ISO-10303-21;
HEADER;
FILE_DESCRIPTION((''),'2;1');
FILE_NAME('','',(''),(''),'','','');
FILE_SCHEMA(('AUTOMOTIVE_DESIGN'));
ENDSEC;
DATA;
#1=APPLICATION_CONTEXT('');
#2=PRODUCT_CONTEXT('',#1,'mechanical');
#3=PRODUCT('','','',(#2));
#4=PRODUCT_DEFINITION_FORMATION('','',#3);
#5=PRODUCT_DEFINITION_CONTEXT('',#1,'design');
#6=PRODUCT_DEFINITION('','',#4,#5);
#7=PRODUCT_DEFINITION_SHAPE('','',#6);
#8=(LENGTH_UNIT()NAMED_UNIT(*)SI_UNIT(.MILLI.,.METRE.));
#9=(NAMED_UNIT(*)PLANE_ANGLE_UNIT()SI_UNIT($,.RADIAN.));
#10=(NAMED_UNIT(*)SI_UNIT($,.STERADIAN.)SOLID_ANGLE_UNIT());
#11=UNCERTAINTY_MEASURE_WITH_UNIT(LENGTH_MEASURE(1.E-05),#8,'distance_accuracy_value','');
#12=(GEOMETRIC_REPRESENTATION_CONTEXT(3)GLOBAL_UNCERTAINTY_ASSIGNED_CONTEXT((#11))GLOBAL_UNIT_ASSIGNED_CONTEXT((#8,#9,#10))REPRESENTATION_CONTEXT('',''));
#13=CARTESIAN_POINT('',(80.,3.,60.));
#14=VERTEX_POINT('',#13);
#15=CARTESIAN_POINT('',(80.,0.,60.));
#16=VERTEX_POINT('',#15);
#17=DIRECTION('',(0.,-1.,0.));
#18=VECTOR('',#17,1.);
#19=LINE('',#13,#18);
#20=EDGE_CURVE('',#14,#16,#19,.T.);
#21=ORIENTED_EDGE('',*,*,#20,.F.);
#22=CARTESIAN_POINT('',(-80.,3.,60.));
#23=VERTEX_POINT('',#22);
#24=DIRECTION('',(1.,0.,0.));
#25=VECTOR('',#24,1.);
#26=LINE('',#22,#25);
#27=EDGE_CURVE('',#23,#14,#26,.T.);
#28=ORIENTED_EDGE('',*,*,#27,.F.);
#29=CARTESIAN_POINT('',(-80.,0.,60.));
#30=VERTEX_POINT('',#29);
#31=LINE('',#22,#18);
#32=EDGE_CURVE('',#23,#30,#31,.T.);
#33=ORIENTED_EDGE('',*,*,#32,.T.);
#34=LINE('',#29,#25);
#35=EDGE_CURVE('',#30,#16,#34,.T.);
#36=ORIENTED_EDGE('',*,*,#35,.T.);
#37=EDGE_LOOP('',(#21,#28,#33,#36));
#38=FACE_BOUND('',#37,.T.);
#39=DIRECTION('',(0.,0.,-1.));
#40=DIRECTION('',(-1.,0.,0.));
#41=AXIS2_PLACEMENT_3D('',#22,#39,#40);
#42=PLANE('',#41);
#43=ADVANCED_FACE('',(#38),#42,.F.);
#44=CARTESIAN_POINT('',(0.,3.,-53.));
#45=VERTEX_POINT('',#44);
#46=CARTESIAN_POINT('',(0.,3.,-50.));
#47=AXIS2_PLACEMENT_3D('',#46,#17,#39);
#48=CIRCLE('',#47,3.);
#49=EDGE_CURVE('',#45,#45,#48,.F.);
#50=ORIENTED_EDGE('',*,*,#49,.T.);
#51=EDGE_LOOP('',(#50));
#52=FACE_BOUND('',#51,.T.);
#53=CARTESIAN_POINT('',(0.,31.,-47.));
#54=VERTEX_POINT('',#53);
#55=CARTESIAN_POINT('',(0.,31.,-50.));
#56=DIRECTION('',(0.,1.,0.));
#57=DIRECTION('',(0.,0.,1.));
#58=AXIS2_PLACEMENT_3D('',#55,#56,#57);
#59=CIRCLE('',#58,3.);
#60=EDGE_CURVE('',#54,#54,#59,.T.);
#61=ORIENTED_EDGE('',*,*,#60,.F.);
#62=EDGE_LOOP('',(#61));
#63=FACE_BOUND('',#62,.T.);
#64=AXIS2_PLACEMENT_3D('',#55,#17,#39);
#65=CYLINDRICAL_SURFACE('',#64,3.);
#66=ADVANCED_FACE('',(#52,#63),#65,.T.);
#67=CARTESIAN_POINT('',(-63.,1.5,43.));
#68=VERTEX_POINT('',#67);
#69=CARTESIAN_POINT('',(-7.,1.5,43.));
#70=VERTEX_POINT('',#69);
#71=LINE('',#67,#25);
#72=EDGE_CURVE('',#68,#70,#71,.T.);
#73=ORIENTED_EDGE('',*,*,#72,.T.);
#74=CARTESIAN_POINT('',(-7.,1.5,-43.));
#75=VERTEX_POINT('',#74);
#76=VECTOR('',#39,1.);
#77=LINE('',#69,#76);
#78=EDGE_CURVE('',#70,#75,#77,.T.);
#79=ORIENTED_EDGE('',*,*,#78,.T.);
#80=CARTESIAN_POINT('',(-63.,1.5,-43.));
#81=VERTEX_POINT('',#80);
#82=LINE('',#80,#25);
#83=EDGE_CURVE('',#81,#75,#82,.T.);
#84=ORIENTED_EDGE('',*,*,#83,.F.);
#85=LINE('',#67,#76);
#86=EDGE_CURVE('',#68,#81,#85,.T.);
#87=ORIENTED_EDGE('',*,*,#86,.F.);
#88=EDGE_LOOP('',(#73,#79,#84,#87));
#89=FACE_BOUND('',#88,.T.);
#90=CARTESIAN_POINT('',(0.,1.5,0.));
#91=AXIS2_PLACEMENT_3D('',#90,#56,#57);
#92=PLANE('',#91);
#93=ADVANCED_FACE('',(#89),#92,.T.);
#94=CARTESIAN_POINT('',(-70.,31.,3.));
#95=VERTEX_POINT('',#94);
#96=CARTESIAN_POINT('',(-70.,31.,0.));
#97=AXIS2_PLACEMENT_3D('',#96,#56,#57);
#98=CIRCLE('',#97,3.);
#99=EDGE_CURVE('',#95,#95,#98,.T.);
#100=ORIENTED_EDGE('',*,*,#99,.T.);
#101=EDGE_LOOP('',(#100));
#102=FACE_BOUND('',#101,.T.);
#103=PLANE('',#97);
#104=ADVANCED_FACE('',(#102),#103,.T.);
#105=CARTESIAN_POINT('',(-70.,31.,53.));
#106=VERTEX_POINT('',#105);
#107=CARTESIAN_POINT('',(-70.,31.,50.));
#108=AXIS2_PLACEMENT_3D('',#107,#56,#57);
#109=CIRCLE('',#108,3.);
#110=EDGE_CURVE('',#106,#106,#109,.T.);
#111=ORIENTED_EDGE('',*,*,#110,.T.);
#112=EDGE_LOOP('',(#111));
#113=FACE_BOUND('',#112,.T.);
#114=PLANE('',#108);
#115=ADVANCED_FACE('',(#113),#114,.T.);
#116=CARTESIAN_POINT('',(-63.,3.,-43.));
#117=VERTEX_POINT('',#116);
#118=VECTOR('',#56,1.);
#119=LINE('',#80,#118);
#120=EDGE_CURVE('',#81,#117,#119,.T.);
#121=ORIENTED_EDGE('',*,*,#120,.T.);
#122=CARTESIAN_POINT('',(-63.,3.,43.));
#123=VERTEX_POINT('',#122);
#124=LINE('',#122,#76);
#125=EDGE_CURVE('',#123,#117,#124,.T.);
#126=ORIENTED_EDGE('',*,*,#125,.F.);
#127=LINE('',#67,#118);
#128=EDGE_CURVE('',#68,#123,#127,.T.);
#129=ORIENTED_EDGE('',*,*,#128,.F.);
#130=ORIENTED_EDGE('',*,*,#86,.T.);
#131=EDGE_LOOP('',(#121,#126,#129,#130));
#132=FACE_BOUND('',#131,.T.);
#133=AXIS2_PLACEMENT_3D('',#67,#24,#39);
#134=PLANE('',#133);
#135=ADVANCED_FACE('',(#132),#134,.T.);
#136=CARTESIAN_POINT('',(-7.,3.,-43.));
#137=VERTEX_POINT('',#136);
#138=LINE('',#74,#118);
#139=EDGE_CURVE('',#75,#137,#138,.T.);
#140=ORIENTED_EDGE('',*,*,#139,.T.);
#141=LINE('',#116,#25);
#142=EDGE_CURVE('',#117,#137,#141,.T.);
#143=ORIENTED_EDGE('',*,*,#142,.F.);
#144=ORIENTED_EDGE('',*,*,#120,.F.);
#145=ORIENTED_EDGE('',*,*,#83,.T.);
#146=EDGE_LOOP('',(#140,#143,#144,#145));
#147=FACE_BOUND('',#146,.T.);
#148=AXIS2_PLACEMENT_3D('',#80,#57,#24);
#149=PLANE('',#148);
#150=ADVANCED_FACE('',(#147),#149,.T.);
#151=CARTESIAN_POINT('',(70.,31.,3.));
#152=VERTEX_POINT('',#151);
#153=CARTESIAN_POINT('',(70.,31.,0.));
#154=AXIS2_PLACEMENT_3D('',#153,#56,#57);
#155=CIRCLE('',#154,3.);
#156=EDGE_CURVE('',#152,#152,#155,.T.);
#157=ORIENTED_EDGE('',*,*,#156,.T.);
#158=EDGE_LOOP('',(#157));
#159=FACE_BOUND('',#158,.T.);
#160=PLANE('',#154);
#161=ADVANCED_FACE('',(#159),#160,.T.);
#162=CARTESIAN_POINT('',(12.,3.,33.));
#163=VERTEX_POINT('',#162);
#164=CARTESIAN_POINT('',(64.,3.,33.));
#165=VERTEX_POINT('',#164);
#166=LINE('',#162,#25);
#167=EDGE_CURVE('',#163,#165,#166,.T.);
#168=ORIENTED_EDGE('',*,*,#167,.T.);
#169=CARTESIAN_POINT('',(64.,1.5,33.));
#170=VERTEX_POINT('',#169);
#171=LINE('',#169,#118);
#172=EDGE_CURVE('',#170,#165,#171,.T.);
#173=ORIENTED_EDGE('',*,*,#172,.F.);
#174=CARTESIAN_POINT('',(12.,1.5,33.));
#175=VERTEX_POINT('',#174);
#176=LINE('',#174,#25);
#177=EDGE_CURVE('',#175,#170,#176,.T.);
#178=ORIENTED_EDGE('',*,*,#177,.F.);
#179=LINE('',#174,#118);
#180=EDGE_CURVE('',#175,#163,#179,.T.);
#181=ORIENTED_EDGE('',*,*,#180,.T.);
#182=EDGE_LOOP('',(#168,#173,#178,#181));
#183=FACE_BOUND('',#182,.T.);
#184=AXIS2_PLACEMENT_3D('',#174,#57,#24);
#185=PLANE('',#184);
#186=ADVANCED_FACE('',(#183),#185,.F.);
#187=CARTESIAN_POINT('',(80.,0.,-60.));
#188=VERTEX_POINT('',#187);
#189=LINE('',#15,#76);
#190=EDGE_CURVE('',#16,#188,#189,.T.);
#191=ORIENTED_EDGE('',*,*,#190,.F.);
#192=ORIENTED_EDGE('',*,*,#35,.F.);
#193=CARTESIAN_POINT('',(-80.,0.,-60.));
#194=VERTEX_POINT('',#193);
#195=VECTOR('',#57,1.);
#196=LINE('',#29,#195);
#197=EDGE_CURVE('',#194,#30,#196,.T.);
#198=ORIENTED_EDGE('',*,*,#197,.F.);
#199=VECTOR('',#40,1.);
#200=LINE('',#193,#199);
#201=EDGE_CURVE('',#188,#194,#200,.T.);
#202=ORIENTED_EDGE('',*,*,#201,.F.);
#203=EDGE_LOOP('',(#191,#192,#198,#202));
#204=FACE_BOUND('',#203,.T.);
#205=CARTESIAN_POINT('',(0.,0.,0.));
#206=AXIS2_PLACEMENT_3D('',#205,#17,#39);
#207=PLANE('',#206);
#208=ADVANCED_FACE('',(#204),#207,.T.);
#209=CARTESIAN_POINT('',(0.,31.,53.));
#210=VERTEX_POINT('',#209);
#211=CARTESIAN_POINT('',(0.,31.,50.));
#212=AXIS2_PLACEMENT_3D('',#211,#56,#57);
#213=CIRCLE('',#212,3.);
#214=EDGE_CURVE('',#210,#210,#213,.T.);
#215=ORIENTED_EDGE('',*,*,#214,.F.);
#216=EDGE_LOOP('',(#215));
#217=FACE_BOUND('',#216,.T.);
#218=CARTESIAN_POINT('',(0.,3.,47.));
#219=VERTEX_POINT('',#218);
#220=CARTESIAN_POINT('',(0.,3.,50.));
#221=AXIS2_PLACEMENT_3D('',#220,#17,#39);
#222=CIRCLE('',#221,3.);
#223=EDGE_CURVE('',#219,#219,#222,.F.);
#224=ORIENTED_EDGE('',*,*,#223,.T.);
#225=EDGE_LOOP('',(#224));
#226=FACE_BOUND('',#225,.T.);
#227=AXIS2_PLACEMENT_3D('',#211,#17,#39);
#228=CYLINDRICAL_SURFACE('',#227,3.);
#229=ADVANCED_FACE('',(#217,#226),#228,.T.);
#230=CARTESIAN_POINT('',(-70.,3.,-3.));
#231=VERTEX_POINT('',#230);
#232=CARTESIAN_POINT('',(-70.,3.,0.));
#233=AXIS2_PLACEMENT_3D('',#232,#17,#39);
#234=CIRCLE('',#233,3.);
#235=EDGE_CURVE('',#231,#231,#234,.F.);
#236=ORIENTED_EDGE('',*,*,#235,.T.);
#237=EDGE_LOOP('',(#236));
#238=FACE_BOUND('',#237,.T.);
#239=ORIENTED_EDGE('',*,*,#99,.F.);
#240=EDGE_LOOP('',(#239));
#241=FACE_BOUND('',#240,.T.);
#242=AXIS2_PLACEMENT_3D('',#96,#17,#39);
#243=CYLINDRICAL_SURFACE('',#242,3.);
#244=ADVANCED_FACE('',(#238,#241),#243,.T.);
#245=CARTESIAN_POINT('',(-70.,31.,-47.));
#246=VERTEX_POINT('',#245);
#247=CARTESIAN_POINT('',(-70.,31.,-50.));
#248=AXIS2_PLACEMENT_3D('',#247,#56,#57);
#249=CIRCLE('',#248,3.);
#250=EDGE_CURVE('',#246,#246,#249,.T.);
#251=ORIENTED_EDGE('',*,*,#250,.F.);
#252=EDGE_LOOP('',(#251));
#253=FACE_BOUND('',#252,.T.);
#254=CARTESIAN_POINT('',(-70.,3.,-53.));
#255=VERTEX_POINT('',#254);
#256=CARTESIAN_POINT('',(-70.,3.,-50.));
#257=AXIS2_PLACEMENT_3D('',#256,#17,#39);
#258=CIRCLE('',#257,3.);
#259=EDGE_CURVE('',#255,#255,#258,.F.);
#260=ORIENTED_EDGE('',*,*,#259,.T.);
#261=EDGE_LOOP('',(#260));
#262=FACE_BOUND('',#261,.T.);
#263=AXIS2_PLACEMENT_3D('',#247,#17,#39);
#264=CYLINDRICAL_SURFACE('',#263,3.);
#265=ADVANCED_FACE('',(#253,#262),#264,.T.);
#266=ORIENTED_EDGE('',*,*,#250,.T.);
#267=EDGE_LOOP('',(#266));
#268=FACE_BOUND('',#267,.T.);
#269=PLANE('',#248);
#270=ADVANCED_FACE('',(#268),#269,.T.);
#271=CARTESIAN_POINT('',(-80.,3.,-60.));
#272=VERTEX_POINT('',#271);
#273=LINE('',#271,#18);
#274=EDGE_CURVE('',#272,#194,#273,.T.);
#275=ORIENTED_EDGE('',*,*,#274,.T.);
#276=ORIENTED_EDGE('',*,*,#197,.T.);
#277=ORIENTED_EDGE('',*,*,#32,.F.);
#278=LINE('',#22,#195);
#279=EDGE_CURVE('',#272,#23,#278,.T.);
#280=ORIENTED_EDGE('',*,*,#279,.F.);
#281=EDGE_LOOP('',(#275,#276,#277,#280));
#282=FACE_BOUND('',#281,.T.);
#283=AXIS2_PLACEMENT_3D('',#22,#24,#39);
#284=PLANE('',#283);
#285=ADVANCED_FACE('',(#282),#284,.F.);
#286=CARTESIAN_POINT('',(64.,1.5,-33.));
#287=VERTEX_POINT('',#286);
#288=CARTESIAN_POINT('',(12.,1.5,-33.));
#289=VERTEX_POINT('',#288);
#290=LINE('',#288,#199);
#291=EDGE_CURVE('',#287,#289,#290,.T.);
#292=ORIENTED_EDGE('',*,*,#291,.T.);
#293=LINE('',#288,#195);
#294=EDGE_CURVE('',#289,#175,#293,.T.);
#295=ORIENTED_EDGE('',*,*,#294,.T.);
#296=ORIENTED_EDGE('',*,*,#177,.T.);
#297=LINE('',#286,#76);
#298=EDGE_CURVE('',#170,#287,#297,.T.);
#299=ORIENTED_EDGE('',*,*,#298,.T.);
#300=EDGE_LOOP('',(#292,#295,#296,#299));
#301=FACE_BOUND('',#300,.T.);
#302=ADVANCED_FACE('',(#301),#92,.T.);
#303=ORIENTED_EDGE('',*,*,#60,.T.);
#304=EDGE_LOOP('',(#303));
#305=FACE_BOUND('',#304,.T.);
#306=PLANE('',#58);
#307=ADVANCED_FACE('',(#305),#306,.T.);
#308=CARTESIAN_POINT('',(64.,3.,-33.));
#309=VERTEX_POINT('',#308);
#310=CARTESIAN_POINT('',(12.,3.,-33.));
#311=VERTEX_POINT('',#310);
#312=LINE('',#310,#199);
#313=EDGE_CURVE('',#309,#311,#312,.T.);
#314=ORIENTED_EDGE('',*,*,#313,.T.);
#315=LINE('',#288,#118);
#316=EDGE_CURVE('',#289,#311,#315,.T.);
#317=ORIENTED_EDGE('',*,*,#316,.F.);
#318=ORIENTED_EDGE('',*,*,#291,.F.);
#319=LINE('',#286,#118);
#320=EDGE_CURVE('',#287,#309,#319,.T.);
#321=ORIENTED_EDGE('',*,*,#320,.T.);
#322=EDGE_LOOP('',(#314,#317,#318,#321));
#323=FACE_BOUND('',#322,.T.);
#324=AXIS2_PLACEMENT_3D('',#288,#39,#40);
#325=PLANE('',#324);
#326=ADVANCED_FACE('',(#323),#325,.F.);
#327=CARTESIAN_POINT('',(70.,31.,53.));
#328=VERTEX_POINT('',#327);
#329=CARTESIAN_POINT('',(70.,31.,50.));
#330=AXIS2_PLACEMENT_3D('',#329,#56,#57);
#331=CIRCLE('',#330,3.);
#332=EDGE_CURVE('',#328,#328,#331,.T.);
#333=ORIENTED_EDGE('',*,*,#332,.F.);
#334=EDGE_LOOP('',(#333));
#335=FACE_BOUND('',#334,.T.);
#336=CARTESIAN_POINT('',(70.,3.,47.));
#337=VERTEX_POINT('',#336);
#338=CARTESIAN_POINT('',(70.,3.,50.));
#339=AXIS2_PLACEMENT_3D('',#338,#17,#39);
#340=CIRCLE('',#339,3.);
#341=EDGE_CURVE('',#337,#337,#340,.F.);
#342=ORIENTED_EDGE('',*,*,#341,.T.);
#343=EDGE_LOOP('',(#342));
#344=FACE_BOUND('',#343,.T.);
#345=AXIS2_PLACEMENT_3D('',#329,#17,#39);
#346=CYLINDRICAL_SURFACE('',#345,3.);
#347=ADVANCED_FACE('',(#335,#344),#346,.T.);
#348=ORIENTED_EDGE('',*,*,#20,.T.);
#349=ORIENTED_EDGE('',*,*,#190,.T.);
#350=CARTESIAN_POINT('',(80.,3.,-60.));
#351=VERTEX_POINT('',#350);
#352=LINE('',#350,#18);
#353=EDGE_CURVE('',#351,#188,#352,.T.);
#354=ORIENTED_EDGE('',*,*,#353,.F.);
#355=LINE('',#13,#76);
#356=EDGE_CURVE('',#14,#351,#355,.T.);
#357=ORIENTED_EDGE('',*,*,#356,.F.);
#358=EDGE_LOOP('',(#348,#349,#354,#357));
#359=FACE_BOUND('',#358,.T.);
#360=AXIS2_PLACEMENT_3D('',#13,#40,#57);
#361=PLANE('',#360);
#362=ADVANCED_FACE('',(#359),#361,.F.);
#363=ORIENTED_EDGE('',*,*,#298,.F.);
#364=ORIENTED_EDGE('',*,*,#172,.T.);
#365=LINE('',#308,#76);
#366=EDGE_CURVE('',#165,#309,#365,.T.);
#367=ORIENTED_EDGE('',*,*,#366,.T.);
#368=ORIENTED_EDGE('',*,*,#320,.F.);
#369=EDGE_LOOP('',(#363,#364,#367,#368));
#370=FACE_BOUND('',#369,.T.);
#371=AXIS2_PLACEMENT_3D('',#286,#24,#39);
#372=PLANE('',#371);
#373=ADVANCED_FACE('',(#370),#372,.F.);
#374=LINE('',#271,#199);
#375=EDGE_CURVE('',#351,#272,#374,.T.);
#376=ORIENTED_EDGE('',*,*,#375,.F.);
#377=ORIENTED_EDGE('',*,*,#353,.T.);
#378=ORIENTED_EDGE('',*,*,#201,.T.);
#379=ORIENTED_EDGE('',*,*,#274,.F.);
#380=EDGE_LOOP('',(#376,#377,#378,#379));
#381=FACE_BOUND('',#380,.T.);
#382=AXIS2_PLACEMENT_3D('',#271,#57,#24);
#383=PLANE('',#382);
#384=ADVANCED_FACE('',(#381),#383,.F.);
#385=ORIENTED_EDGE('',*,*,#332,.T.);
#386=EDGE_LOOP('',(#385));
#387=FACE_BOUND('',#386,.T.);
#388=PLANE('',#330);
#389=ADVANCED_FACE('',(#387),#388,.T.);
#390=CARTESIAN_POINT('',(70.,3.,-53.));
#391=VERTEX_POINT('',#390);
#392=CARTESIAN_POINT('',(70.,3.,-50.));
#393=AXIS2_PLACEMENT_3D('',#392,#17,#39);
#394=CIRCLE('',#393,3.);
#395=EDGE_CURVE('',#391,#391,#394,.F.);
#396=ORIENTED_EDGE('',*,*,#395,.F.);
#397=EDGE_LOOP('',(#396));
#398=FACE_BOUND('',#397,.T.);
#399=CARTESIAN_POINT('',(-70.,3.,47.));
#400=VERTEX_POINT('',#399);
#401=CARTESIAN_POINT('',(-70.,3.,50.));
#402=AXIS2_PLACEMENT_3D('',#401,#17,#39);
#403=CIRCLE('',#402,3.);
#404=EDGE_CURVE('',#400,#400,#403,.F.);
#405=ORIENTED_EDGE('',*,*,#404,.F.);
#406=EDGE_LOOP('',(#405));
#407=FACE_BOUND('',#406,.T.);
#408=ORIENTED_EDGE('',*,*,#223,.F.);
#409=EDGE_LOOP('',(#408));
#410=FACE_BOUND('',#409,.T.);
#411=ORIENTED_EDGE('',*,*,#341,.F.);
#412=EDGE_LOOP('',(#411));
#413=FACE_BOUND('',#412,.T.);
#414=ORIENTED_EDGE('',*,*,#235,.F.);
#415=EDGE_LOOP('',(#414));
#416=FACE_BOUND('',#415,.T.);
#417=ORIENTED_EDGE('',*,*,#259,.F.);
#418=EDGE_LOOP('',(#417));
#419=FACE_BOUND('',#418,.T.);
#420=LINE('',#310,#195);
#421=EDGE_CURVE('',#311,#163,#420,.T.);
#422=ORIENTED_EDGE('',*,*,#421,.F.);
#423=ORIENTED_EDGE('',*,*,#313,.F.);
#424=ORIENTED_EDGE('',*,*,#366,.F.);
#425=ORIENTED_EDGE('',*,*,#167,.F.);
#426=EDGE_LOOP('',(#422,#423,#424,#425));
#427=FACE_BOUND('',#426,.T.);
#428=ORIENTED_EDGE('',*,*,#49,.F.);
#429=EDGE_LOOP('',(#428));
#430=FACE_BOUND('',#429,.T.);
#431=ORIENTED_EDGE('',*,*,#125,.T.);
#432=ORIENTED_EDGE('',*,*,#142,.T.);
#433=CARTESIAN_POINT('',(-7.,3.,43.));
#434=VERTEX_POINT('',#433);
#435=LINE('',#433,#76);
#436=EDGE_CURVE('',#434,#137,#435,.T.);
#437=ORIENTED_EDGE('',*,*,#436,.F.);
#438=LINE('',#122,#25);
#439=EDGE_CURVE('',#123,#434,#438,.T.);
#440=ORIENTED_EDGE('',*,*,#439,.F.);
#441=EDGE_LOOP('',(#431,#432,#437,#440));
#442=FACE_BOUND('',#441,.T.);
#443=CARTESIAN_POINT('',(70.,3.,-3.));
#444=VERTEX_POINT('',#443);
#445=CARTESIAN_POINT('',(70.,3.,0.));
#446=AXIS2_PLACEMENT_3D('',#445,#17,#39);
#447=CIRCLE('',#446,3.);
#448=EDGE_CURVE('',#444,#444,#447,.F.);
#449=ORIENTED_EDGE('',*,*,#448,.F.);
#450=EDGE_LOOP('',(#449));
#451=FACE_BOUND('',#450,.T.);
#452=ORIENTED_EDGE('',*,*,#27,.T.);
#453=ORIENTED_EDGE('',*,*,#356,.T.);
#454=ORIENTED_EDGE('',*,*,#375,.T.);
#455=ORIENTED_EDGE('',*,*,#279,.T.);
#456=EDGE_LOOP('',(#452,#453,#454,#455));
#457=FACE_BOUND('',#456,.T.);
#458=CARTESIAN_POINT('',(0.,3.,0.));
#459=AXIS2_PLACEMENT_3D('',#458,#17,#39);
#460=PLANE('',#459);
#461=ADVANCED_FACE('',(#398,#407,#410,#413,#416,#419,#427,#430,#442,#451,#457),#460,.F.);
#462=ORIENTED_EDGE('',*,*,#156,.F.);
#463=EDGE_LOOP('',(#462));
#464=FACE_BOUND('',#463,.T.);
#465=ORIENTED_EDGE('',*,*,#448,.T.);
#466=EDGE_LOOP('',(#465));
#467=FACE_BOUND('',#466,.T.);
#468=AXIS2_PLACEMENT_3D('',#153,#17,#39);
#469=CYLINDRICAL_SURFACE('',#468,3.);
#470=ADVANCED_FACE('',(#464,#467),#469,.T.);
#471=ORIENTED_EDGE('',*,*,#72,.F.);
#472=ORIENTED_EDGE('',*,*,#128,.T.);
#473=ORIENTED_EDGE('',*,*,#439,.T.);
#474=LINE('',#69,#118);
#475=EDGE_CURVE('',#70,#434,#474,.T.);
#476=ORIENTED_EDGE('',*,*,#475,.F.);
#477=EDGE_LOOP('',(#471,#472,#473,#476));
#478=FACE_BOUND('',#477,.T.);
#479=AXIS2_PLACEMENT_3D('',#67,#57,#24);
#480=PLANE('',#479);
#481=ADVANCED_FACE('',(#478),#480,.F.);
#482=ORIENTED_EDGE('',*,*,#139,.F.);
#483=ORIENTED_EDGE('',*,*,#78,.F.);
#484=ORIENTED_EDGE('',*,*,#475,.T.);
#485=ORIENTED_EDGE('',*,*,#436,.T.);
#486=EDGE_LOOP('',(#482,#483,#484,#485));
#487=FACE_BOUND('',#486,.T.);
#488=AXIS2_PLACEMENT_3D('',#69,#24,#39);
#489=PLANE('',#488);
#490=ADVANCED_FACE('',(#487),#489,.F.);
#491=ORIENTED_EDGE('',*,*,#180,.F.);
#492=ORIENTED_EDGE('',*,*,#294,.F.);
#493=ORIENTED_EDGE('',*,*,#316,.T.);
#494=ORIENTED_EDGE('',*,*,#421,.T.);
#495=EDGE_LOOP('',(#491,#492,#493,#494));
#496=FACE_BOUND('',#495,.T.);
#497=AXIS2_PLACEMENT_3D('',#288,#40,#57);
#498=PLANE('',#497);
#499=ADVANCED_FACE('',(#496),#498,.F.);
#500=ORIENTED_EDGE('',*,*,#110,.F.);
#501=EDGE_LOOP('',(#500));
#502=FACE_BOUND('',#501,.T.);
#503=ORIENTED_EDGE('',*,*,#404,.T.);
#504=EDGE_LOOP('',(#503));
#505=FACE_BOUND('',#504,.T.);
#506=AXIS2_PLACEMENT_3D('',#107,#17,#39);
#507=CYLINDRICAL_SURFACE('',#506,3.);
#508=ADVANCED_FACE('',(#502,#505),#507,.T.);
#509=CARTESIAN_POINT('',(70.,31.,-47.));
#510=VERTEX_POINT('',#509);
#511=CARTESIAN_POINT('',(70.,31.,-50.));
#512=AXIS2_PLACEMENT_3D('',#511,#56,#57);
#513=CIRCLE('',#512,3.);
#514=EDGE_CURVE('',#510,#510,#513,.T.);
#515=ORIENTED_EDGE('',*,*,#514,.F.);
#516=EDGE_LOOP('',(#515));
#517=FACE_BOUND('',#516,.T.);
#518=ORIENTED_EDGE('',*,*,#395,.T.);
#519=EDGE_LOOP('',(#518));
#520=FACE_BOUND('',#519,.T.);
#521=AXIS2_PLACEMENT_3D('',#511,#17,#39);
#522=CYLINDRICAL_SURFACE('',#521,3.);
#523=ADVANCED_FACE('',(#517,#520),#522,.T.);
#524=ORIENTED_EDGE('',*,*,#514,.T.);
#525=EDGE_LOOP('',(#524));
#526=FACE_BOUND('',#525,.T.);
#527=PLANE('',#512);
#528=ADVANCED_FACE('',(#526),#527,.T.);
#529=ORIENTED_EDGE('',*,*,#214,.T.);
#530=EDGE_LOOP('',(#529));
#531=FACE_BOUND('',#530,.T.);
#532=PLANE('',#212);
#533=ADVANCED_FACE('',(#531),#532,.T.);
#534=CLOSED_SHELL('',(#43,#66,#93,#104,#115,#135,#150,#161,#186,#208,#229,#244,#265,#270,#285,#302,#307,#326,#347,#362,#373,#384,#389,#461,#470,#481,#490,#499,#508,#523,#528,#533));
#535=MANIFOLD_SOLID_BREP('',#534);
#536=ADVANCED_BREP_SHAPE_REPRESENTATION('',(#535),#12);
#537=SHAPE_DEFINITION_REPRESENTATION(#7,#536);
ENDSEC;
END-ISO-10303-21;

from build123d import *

# Parameters (mm, degrees)
SKETCH1_W           = 160
SKETCH1_H           = 120
BOSS_EXTRUDE1_DEPTH = 3
SKETCH2_R           = 3
BOSS_EXTRUDE2_DEPTH = 28
SKETCH3_W           = 56
SKETCH3_H           = 86
CUT_EXTRUDE1_DEPTH  = 1.5
SKETCH5_W           = 52
SKETCH5_H           = 66
CUT_EXTRUDE2_DEPTH  = 1.5


with BuildPart() as part:
    # Sketch1 → Boss-Extrude1 (new body)
    with BuildSketch(Plane(origin=(0, 0, 0), x_dir=(1, 0, 0), z_dir=(0, 1, 0))):
        Rectangle(SKETCH1_W, SKETCH1_H)
    extrude(amount=BOSS_EXTRUDE1_DEPTH)

    # Sketch2 → Boss-Extrude2 (add)
    with BuildSketch(Plane(origin=(0, 3, 0), x_dir=(1, 0, 0), z_dir=(0, 1, 0))):
        with Locations(Location((-70, 50, 0), (0, 0, 90))):
            Circle(SKETCH2_R)
        with Locations(Location((0, 50, 0), (0, 0, 90))):
            Circle(SKETCH2_R)
        with Locations(Location((70, 50, 0), (0, 0, 90))):
            Circle(SKETCH2_R)
        with Locations(Location((-70, 0, 0), (0, 0, 90))):
            Circle(SKETCH2_R)
        with Locations(Location((70, 0, 0), (0, 0, 90))):
            Circle(SKETCH2_R)
        with Locations(Location((-70, -50, 0), (0, 0, 90))):
            Circle(SKETCH2_R)
        with Locations(Location((0, -50, 0), (0, 0, 90))):
            Circle(SKETCH2_R)
        with Locations(Location((70, -50, 0), (0, 0, 90))):
            Circle(SKETCH2_R)
    extrude(amount=BOSS_EXTRUDE2_DEPTH)

    # Sketch3 → Cut-Extrude1 (cut)
    with BuildSketch(Plane(origin=(0, 3, 0), x_dir=(1, 0, 0), z_dir=(0, 1, 0))):
        with Locations((-35, 0)):
            Rectangle(SKETCH3_W, SKETCH3_H)
    extrude(amount=-CUT_EXTRUDE1_DEPTH, mode=Mode.SUBTRACT)

    # Sketch5 → Cut-Extrude2 (cut)
    with BuildSketch(Plane(origin=(0, 3, 0), x_dir=(1, 0, 0), z_dir=(0, 1, 0))):
        with Locations((38, 0)):
            Rectangle(SKETCH5_W, SKETCH5_H)
    extrude(amount=-CUT_EXTRUDE2_DEPTH, mode=Mode.SUBTRACT)


solid = part.part
